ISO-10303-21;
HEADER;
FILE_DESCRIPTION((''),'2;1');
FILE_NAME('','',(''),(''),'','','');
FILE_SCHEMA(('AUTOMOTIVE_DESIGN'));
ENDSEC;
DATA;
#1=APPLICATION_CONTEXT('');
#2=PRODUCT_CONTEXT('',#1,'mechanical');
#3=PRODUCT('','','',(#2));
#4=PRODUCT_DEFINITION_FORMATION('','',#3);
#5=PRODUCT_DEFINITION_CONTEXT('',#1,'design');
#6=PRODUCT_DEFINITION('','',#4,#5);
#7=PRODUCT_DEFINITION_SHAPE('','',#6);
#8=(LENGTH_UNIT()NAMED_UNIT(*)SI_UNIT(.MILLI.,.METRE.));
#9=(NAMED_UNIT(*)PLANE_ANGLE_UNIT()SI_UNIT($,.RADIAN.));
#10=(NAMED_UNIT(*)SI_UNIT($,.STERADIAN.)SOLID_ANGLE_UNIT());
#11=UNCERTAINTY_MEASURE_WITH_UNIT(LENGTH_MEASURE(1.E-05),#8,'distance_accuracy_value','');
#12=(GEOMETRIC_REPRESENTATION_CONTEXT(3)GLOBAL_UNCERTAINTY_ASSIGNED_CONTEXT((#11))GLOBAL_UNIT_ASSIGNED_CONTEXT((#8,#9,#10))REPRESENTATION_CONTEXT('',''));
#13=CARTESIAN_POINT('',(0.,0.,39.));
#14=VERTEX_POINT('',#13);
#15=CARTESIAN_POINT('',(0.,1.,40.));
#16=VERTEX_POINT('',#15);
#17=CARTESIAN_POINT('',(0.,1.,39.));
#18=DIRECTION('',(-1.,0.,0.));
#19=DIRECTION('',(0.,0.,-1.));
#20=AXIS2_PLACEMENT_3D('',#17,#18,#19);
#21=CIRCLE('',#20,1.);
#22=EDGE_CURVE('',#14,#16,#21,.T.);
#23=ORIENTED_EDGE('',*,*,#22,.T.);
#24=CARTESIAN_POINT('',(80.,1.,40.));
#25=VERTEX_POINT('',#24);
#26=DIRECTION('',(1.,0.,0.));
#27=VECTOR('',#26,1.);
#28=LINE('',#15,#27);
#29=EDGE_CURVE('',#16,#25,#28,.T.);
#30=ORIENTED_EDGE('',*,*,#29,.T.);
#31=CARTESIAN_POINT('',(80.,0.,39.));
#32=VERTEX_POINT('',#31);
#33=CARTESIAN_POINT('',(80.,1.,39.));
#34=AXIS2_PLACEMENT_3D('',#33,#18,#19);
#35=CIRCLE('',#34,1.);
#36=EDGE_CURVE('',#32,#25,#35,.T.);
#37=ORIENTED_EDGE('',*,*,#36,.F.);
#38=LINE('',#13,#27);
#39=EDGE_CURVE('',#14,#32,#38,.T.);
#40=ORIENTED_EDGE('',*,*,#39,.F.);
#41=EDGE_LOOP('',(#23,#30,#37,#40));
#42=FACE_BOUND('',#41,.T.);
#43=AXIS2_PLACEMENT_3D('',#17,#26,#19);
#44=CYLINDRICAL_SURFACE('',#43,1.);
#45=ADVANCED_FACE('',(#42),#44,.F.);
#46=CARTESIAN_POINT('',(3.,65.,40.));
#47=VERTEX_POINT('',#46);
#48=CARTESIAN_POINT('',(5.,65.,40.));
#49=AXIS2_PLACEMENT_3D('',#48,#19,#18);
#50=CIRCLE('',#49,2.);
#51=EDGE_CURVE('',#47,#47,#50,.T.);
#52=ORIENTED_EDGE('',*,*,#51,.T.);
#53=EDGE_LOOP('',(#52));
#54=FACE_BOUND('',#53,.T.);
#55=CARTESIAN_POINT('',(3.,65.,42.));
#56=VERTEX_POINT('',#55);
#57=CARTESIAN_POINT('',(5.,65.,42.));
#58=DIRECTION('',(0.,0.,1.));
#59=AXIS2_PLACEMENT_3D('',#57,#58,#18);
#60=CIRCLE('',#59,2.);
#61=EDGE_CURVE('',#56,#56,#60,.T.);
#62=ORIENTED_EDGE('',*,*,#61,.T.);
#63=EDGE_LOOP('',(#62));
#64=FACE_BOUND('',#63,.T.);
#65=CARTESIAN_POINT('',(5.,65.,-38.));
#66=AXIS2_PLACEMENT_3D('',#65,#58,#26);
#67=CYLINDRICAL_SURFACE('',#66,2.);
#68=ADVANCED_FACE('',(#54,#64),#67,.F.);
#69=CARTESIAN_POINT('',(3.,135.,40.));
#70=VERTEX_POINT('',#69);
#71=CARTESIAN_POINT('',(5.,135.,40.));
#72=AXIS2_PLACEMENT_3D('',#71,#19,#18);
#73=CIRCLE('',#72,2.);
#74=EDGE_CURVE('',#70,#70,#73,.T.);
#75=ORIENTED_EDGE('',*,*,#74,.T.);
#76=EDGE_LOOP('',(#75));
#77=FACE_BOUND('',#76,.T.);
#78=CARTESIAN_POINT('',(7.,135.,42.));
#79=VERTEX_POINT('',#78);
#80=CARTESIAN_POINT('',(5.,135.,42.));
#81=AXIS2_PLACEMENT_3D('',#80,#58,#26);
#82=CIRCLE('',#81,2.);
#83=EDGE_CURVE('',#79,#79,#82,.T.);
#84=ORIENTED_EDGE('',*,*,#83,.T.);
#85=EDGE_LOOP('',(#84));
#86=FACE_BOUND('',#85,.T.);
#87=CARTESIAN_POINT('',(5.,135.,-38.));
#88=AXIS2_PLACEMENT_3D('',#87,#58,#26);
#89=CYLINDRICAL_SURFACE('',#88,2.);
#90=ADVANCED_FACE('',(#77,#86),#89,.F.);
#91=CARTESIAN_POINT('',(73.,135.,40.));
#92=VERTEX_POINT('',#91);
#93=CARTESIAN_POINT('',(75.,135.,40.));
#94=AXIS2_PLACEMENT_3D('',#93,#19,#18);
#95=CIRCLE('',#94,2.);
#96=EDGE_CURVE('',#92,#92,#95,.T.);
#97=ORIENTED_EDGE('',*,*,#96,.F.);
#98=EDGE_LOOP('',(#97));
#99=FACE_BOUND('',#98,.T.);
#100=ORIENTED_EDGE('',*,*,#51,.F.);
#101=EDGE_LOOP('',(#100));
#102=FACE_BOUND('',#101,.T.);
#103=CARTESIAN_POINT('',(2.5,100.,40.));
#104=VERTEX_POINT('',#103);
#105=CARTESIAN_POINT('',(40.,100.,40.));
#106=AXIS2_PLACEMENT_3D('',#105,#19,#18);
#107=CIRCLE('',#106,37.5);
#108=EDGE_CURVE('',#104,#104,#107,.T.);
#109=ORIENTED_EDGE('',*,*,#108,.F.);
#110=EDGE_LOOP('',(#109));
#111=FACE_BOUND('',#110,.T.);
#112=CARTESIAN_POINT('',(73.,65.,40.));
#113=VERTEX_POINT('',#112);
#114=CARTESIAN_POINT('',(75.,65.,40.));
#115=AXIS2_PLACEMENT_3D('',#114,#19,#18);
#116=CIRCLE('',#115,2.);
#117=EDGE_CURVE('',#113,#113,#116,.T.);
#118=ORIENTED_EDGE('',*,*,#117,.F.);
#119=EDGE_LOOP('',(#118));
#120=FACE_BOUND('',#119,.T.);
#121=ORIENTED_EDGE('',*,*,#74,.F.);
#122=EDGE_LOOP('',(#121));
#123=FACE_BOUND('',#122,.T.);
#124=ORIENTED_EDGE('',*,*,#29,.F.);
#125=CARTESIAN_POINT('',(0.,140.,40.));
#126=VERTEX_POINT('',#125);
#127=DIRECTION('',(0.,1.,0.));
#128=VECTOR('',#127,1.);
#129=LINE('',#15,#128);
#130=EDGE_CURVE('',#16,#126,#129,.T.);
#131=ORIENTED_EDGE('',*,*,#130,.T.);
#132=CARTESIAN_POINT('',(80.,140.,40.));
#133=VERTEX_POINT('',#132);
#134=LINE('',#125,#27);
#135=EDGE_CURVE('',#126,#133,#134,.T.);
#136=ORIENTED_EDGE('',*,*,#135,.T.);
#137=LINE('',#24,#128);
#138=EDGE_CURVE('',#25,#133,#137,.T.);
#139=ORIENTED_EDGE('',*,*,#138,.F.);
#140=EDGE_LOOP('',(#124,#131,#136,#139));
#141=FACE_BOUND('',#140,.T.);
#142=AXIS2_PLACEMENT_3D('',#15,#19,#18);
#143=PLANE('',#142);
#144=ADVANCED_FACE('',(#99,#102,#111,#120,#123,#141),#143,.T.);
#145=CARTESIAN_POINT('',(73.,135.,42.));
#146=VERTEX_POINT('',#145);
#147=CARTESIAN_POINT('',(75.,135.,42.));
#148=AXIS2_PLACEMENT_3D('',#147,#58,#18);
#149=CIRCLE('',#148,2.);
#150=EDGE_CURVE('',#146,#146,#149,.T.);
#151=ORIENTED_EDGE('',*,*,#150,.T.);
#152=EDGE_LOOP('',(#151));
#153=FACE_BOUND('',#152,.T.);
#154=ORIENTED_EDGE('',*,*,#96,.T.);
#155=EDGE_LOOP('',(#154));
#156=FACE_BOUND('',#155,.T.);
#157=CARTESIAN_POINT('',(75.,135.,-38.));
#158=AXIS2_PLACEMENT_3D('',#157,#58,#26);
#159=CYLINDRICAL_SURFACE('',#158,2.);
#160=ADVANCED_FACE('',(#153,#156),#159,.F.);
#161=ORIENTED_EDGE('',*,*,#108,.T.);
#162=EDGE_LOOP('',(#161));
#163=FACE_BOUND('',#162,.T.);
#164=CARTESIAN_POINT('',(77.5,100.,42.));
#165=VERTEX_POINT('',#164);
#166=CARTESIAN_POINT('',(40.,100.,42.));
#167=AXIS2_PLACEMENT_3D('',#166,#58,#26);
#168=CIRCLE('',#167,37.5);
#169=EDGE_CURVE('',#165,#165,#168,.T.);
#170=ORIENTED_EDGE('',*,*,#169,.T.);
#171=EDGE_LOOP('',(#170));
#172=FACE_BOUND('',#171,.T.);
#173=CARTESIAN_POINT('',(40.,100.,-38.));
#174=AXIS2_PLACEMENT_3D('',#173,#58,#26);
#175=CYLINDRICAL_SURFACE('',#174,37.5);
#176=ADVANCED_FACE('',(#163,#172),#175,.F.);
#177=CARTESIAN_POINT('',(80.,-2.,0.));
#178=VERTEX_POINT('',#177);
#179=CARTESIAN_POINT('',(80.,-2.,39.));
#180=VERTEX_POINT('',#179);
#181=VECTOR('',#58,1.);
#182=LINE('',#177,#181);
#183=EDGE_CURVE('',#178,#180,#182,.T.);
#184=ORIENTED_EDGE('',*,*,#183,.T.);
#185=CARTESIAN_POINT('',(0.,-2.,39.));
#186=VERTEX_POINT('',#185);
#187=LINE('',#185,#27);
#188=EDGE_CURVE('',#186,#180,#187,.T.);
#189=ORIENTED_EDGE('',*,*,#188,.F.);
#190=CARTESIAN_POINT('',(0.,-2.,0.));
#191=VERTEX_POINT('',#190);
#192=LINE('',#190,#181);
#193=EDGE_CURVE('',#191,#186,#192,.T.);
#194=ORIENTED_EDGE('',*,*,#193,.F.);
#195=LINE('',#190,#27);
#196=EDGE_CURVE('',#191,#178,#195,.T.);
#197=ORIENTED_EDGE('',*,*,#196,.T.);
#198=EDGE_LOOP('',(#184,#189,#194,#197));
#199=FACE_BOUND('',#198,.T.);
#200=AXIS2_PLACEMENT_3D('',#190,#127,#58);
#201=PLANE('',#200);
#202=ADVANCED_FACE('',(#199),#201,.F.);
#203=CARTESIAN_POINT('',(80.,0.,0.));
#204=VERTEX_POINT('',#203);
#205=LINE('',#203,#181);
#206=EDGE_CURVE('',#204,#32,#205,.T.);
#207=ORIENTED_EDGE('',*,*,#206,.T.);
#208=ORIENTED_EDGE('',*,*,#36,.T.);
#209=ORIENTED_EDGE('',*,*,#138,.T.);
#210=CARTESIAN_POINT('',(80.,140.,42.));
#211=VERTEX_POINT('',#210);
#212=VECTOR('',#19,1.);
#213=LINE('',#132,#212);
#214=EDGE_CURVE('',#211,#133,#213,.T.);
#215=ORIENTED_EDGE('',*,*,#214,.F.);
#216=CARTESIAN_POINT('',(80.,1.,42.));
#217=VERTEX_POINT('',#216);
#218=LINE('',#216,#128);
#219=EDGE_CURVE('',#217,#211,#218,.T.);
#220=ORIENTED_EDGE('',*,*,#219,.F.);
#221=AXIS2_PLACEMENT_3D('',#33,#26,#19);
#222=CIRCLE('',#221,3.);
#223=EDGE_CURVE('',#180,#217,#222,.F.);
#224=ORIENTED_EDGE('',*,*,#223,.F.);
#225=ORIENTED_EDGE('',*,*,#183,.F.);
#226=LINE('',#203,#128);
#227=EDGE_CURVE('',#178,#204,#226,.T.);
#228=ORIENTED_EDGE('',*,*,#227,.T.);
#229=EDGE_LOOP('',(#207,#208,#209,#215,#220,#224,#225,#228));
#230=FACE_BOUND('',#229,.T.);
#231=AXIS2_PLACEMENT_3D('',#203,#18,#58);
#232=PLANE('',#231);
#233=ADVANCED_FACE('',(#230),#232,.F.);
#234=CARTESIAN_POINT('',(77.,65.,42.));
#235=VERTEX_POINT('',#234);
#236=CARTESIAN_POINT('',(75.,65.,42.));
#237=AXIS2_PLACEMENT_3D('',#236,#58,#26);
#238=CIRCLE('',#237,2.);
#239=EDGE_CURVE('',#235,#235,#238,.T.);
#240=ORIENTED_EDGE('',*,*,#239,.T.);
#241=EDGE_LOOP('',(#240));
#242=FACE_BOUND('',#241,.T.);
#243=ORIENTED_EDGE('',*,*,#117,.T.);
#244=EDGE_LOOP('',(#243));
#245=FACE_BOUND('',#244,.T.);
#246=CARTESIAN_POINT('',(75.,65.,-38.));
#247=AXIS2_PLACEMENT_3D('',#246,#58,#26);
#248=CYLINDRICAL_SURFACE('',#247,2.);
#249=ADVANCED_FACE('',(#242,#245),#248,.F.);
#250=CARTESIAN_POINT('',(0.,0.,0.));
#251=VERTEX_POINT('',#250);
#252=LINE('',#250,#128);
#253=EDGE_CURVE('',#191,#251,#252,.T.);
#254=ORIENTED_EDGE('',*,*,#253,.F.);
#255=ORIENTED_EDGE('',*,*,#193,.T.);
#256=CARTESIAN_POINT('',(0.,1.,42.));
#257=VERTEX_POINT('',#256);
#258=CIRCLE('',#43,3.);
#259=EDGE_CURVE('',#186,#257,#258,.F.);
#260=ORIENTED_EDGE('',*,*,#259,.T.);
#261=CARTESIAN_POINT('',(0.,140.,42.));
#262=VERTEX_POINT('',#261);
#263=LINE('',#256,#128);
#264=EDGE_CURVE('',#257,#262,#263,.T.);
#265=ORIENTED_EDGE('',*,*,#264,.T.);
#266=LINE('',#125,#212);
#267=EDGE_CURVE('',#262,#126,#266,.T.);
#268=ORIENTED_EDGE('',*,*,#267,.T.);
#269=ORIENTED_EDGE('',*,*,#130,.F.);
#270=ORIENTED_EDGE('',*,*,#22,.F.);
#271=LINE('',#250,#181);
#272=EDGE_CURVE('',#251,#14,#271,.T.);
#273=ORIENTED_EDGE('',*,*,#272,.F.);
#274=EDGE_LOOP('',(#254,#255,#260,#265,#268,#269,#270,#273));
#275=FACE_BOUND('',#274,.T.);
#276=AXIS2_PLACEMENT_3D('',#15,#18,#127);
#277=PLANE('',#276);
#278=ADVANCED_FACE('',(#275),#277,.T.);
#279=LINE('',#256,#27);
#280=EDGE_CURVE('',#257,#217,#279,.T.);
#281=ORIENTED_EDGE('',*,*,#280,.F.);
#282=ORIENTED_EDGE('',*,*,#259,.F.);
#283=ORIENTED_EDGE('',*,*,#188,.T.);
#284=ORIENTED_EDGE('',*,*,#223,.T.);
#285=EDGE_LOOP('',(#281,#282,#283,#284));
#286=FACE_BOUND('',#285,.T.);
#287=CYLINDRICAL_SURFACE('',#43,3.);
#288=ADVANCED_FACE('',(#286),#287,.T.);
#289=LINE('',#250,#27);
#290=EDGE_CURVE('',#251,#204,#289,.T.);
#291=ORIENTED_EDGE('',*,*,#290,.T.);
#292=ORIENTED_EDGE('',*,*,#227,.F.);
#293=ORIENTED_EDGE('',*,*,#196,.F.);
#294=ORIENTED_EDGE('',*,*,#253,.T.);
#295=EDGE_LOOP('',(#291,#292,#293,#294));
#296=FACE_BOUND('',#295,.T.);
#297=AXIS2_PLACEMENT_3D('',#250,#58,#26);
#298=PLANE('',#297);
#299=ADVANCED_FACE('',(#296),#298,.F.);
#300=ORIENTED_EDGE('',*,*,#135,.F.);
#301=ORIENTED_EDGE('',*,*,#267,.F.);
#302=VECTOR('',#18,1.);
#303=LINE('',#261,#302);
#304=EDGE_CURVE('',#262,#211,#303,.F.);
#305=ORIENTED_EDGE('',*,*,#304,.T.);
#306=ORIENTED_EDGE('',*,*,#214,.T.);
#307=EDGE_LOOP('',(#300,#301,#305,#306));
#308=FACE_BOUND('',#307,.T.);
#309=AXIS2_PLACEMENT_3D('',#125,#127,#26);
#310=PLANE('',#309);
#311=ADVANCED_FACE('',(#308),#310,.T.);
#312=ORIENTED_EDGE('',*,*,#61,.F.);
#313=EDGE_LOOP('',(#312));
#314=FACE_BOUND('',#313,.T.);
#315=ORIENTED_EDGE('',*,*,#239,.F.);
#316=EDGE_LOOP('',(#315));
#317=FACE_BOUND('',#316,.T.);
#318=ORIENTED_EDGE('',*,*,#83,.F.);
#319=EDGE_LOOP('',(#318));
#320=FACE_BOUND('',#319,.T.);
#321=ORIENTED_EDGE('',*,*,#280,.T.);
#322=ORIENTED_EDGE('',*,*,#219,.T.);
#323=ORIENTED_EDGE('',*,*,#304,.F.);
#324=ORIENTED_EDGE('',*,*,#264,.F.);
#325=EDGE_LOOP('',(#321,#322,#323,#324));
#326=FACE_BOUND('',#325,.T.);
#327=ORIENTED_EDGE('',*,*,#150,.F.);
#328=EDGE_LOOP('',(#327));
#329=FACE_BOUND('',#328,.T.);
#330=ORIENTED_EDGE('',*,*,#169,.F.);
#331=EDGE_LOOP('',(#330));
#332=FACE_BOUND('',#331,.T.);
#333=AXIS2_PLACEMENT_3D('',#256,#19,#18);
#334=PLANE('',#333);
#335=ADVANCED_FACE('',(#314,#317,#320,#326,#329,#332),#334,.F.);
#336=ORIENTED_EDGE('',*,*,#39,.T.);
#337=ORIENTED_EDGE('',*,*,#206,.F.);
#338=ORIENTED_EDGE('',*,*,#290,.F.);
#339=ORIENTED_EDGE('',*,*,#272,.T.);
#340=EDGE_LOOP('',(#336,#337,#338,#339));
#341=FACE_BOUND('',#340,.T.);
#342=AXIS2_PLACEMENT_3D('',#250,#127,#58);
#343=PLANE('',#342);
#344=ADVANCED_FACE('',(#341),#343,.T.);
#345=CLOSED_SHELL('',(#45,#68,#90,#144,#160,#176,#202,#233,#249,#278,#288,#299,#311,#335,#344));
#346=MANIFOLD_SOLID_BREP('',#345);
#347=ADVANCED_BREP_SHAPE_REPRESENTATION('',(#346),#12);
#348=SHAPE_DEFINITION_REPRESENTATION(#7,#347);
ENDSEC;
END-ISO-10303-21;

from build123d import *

# Parameters (mm, degrees)
SUPERFICIE_EXTRUIR1_1_DEPTH = 80
DAR_ESPESOR1_T1             = 2
CROQUIS2_R                  = 37.5
CROQUIS2_R_2                = 2
EXTRUIR1_DEPTH              = 80


with BuildPart() as body_1:
    # Superficie-Extruir1: a surface, the sketch's curves swept straight by 80 mm
    with BuildLine(Plane(origin=(0, 0, 0), x_dir=(0, 0, -1), z_dir=(1, 0, 0)), mode=Mode.PRIVATE) as superficie_extruir1_1_path:
        Line((0, 0), (-39, 0))
        ThreePointArc((-39, 0), (-39.707106781, 0.292893219), (-40, 1))
        Line((-40, 1), (-40, 140))
    superficie_extruir1_1 = Shell.extrude(superficie_extruir1_1_path.wire(), (1 * SUPERFICIE_EXTRUIR1_1_DEPTH, 0 * SUPERFICIE_EXTRUIR1_1_DEPTH, 0 * SUPERFICIE_EXTRUIR1_1_DEPTH))
    add(Solid.thicken(superficie_extruir1_1, DAR_ESPESOR1_T1))

    # Croquis2 → Extruir1 (cut)
    with BuildSketch(Plane.XY.offset(42)):
        with Locations((40, 100)):
            Circle(CROQUIS2_R)
        with Locations((5, 135)):
            Circle(CROQUIS2_R_2)
        with Locations(Location((75, 135, 0), (0, 0, 180))):
            Circle(CROQUIS2_R_2)
        with Locations((75, 65)):
            Circle(CROQUIS2_R_2)
        with Locations(Location((5, 65, 0), (0, 0, 180))):
            Circle(CROQUIS2_R_2)
    extrude(amount=-EXTRUIR1_DEPTH, mode=Mode.SUBTRACT)


solid = body_1.part
